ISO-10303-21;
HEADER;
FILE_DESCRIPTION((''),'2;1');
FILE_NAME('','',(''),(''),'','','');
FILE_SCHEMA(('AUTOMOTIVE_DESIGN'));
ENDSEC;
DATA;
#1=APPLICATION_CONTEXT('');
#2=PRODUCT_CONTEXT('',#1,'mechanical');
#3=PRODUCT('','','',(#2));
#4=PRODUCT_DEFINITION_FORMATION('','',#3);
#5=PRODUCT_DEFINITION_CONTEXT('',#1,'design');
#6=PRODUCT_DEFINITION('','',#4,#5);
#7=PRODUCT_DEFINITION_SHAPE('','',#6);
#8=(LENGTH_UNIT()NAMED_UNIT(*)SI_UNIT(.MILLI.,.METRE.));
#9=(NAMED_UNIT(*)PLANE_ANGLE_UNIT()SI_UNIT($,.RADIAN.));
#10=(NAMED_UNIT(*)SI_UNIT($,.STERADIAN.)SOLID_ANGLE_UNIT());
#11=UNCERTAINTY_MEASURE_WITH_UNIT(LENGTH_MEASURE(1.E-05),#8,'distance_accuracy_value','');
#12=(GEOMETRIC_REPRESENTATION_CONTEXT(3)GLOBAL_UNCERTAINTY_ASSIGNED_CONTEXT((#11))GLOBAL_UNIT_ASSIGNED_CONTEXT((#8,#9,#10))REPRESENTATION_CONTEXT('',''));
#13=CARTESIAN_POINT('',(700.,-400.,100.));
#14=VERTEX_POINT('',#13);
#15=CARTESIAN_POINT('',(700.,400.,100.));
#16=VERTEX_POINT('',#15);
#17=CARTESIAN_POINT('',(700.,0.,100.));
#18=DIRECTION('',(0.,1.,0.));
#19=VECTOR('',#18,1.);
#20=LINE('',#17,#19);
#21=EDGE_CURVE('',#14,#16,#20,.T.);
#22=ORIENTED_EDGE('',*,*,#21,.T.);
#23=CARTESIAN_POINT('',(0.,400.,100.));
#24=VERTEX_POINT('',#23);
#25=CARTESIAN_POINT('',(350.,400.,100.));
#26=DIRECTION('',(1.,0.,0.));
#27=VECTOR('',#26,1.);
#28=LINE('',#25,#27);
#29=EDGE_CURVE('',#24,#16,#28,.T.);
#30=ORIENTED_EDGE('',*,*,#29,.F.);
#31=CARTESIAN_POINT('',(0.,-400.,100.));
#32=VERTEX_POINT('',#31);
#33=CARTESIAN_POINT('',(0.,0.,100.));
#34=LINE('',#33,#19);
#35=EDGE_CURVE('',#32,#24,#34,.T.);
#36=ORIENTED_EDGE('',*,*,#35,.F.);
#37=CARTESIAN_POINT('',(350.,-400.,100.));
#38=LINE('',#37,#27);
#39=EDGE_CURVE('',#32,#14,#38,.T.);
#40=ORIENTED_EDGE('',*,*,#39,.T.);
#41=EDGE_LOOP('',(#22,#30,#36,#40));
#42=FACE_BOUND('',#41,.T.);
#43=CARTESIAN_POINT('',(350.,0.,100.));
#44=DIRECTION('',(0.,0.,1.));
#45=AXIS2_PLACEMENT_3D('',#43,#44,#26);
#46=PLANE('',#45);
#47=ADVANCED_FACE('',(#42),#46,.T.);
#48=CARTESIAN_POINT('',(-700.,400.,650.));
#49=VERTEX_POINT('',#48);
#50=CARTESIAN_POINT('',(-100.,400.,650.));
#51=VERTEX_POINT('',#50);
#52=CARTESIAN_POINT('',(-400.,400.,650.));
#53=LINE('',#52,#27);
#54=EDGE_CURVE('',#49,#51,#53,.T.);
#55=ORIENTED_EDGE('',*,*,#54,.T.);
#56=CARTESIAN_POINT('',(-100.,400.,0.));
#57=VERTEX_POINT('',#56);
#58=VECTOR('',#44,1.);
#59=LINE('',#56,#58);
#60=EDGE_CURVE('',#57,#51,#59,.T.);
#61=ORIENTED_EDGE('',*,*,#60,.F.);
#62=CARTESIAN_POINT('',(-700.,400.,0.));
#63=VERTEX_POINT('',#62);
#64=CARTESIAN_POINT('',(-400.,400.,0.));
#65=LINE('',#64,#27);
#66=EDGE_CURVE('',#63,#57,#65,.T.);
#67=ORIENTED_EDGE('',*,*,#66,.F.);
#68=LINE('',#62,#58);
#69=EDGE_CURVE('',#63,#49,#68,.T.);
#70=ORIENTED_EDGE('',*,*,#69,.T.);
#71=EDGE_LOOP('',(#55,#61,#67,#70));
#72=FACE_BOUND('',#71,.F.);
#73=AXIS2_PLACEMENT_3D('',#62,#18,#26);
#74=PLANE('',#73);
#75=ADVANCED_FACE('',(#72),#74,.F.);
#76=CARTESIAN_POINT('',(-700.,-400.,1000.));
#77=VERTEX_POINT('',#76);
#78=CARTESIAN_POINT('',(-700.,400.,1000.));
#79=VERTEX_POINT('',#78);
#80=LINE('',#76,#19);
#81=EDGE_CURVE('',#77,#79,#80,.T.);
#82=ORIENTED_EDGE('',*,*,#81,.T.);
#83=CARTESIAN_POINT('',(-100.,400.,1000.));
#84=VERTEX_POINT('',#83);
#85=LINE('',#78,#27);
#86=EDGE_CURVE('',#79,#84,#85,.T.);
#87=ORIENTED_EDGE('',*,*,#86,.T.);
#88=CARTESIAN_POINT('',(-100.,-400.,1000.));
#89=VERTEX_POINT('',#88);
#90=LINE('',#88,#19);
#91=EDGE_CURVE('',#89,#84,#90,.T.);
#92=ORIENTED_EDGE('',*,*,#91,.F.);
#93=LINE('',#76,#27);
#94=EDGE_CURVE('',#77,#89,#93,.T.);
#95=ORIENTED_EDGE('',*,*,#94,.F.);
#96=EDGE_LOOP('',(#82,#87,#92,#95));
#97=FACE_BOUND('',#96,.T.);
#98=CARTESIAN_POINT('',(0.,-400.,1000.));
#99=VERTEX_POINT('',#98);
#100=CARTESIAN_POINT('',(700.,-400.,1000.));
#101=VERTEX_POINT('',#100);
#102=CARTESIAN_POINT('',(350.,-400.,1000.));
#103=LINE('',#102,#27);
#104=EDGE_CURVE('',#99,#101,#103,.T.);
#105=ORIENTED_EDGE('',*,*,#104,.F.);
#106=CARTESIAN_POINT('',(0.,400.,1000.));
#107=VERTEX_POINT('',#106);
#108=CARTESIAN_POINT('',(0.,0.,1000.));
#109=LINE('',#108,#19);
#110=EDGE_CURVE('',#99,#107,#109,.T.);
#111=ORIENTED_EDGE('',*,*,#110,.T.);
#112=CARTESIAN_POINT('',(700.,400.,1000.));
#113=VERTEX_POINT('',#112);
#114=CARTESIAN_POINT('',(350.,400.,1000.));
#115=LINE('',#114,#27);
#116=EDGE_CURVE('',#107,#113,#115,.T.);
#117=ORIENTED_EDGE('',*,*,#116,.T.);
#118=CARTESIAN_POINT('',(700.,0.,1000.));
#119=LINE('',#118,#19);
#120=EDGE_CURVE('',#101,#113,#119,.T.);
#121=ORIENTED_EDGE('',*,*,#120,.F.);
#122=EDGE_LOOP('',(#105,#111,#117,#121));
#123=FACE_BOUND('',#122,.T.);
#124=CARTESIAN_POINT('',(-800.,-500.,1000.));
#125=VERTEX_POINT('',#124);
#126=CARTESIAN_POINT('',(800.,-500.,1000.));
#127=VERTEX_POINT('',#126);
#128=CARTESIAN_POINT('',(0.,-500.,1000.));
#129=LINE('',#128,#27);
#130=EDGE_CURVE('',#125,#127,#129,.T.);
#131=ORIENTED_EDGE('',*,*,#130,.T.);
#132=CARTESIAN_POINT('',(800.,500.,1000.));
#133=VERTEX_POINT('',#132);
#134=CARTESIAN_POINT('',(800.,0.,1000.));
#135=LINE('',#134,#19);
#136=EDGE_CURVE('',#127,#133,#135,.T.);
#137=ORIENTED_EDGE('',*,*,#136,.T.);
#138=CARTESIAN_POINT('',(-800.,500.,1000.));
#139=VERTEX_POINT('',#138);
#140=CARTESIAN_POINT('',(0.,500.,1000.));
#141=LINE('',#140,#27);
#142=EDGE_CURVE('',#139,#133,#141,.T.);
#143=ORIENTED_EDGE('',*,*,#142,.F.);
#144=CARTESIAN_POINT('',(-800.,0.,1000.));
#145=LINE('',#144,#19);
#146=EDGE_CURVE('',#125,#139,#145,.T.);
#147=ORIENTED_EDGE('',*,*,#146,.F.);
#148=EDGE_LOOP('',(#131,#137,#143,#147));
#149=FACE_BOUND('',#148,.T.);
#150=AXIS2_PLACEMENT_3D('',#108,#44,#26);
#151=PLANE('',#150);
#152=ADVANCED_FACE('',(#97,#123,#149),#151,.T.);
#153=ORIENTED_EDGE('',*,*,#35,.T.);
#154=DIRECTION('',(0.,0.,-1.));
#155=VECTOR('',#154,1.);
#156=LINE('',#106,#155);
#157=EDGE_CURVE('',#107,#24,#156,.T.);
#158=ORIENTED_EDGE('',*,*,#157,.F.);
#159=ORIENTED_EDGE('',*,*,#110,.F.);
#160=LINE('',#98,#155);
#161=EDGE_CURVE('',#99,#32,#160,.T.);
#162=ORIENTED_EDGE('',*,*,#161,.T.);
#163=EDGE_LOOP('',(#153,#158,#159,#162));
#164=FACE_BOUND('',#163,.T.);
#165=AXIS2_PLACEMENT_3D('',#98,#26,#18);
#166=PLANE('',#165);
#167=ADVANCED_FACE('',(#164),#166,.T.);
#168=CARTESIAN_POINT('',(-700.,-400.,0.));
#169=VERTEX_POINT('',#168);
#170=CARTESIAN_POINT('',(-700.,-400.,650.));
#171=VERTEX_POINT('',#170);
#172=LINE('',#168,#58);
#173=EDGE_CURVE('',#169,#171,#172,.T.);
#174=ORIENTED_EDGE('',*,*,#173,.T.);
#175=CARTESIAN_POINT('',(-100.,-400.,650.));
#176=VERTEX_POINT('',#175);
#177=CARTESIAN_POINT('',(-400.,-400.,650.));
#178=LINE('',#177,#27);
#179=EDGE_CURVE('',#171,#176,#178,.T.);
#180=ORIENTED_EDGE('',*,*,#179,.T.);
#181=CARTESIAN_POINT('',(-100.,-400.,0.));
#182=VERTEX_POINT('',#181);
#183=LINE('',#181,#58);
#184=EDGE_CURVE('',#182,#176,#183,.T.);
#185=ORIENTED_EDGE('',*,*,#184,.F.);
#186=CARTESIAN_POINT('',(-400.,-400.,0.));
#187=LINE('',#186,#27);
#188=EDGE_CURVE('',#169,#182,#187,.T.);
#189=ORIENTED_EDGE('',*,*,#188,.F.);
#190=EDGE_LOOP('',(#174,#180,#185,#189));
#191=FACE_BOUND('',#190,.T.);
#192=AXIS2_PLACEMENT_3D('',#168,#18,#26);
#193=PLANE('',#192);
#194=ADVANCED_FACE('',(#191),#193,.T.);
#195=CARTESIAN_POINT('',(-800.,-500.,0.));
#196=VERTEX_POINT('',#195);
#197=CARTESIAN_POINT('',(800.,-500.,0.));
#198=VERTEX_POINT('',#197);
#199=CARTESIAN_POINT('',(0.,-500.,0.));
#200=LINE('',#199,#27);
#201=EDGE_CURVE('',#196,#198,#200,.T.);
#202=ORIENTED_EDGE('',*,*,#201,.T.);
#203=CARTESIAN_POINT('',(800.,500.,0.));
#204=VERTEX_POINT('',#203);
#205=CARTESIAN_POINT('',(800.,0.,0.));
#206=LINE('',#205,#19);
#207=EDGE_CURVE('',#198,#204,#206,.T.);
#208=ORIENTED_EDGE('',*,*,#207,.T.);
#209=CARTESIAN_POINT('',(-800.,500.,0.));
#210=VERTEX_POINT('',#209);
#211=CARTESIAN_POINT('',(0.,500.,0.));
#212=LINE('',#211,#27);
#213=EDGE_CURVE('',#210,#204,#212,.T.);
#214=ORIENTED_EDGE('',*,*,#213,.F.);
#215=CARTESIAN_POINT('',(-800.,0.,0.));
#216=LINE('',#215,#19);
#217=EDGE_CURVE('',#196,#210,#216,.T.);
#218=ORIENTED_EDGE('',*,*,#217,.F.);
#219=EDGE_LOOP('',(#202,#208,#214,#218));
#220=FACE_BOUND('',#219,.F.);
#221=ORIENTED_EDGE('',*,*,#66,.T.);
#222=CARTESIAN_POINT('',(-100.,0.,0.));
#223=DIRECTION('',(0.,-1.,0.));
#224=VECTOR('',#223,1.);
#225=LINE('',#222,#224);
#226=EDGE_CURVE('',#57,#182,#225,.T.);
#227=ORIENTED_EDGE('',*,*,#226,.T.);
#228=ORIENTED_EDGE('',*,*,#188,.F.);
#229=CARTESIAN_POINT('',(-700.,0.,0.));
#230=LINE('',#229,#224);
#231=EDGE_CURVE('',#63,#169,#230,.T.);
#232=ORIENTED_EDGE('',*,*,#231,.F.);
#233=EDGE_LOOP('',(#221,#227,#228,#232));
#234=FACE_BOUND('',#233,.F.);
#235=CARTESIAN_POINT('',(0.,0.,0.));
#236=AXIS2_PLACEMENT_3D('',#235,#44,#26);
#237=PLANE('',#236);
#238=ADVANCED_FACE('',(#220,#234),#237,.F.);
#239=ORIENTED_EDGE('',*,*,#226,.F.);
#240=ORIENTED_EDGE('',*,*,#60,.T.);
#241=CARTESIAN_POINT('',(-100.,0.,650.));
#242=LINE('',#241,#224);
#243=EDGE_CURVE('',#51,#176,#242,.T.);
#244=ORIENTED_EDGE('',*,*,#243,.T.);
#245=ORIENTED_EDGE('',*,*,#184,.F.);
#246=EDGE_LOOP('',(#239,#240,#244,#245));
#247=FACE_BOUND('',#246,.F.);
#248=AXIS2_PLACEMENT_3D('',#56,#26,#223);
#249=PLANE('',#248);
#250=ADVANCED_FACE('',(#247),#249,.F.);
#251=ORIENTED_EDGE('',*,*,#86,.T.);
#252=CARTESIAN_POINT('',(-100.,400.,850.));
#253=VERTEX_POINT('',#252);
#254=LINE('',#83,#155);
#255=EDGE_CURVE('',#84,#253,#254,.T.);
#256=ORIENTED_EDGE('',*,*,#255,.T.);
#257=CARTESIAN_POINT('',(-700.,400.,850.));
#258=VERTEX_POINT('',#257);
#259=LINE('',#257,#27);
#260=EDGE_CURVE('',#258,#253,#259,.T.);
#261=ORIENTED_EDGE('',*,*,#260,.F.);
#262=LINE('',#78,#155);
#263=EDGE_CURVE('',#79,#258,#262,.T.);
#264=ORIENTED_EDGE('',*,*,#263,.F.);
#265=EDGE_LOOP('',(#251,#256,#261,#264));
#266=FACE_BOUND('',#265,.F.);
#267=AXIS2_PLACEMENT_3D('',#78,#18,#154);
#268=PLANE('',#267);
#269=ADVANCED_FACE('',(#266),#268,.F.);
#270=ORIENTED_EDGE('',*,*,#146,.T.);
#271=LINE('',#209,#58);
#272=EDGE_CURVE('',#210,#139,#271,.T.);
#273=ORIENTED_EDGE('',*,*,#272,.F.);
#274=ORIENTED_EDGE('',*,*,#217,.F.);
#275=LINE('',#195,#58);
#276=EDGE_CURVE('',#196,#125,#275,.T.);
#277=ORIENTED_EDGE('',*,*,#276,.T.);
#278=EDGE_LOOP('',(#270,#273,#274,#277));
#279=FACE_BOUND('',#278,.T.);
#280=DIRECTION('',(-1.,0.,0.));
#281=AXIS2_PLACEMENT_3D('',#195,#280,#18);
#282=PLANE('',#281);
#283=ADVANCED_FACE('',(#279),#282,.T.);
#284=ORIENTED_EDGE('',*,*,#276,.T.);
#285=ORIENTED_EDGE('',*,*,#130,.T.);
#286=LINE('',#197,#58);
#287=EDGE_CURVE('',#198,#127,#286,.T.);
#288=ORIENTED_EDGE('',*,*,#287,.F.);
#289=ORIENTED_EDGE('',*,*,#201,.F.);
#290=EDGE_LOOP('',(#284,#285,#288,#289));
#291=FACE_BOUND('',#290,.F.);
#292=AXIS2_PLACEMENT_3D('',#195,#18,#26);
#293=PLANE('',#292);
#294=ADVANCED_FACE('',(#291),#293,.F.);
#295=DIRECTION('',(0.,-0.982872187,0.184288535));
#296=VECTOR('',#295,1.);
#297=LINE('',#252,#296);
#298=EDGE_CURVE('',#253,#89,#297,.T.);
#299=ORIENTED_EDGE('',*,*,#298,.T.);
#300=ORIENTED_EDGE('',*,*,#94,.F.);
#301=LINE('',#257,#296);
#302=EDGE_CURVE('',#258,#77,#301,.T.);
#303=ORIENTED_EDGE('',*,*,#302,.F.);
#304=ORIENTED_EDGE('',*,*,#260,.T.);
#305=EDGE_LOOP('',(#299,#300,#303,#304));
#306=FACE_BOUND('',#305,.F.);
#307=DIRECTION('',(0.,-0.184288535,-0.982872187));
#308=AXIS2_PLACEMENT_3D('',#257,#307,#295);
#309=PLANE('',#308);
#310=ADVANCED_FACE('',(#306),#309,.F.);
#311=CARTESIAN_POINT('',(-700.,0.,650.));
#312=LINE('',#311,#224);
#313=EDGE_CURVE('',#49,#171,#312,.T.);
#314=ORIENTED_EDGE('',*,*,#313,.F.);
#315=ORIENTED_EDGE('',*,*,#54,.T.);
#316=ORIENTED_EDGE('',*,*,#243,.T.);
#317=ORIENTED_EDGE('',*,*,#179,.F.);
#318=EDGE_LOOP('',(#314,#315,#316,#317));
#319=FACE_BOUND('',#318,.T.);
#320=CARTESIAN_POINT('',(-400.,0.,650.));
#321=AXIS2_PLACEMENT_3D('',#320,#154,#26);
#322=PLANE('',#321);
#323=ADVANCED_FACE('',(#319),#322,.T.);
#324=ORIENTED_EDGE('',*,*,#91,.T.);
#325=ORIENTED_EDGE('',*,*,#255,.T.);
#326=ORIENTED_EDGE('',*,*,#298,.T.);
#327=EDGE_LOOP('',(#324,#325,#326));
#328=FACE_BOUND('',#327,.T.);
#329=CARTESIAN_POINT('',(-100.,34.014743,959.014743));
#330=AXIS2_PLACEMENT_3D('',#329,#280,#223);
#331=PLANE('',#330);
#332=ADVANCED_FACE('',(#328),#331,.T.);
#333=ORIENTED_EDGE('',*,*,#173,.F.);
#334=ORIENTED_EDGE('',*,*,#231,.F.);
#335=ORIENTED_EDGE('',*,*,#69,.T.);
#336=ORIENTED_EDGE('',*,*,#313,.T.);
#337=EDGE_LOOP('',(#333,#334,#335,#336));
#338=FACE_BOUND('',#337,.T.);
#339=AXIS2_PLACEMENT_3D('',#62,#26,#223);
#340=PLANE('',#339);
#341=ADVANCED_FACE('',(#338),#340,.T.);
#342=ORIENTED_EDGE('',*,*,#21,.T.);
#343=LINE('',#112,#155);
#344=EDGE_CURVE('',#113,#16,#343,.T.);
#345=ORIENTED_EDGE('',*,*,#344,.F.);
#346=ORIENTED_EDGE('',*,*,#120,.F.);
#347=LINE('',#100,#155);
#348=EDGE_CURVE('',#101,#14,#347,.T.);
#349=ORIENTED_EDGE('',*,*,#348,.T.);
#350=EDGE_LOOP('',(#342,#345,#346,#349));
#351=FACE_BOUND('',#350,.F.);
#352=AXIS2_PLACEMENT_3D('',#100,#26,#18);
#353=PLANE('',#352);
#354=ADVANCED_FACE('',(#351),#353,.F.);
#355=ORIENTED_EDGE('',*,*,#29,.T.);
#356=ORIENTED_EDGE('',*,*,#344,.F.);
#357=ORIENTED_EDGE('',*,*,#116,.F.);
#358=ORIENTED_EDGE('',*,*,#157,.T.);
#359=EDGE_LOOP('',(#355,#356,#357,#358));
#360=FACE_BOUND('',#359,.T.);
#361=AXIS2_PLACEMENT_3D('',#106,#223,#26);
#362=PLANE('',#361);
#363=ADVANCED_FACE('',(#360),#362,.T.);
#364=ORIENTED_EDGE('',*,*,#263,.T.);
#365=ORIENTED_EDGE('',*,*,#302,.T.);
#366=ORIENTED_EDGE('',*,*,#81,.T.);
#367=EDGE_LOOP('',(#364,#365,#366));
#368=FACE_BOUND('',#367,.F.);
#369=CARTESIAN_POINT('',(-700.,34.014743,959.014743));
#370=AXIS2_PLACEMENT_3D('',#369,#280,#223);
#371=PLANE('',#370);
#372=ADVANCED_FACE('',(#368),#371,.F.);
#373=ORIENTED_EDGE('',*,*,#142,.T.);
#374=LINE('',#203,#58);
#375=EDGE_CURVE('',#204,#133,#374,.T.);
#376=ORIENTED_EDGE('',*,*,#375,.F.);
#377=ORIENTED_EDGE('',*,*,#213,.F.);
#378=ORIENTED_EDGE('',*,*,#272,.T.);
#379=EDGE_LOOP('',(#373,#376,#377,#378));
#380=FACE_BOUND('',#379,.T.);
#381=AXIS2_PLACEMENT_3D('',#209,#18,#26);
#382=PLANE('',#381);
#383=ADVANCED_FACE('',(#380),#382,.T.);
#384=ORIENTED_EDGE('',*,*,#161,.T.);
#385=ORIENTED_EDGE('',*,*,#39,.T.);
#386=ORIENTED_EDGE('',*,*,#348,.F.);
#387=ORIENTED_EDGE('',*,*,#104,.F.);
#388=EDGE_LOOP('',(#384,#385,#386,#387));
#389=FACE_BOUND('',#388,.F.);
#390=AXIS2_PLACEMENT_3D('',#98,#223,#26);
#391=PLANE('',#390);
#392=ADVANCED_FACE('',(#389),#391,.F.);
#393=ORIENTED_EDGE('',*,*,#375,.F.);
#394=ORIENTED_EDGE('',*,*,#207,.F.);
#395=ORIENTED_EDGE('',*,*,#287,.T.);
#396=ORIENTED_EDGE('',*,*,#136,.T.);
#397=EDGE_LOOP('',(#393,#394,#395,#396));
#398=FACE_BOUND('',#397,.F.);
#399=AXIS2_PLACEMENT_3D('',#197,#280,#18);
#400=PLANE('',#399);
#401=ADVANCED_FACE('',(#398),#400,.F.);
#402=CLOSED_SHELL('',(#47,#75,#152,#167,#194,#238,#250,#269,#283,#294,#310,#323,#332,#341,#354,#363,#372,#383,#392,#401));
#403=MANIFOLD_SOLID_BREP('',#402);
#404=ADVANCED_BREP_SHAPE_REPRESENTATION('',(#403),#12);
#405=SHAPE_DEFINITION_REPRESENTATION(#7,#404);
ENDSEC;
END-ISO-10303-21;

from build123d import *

# Parameters (mm, degrees)
F0_W     = 1600
F0_H     = 1000
F1_DEPTH = 1000
F2_W     = 700
F2_H     = 800
F3_DEPTH = 900
F7_DEPTH = 600
F8_W     = 600.0000000002
F8_H     = 800
F9_DEPTH = 650


with BuildPart() as f1:
    # F0 (on Top) → F1 (new body)
    with BuildSketch(Plane.XY):
        Rectangle(F0_W, F0_H)
    extrude(amount=F1_DEPTH)

    # F2 (on face) → F3 (cut)
    with BuildSketch(Plane.XY.offset(1000)):
        with Locations((350, 0)):
            Rectangle(F2_W, F2_H)
    extrude(amount=-F3_DEPTH, mode=Mode.SUBTRACT)

    # F5 (on offset) → F7 (cut, through all)
    with BuildSketch(Plane(origin=(-700, 0, 0), x_dir=(0, -1, 0), z_dir=(-1, 0, 0))):
        Polygon((-400, 850), (400, 1000), (-400, 1000), align=None)
    extrude(amount=-F7_DEPTH, mode=Mode.SUBTRACT)

    # F8 (on face) → F9 (cut)
    with BuildSketch(Plane(origin=(0, 0, 0), x_dir=(1, 0, 0), z_dir=(0, 0, -1))):
        with Locations((-399.9999999999, 0)):
            Rectangle(F8_W, F8_H)
    extrude(amount=-F9_DEPTH, mode=Mode.SUBTRACT)


solid = f1.part
